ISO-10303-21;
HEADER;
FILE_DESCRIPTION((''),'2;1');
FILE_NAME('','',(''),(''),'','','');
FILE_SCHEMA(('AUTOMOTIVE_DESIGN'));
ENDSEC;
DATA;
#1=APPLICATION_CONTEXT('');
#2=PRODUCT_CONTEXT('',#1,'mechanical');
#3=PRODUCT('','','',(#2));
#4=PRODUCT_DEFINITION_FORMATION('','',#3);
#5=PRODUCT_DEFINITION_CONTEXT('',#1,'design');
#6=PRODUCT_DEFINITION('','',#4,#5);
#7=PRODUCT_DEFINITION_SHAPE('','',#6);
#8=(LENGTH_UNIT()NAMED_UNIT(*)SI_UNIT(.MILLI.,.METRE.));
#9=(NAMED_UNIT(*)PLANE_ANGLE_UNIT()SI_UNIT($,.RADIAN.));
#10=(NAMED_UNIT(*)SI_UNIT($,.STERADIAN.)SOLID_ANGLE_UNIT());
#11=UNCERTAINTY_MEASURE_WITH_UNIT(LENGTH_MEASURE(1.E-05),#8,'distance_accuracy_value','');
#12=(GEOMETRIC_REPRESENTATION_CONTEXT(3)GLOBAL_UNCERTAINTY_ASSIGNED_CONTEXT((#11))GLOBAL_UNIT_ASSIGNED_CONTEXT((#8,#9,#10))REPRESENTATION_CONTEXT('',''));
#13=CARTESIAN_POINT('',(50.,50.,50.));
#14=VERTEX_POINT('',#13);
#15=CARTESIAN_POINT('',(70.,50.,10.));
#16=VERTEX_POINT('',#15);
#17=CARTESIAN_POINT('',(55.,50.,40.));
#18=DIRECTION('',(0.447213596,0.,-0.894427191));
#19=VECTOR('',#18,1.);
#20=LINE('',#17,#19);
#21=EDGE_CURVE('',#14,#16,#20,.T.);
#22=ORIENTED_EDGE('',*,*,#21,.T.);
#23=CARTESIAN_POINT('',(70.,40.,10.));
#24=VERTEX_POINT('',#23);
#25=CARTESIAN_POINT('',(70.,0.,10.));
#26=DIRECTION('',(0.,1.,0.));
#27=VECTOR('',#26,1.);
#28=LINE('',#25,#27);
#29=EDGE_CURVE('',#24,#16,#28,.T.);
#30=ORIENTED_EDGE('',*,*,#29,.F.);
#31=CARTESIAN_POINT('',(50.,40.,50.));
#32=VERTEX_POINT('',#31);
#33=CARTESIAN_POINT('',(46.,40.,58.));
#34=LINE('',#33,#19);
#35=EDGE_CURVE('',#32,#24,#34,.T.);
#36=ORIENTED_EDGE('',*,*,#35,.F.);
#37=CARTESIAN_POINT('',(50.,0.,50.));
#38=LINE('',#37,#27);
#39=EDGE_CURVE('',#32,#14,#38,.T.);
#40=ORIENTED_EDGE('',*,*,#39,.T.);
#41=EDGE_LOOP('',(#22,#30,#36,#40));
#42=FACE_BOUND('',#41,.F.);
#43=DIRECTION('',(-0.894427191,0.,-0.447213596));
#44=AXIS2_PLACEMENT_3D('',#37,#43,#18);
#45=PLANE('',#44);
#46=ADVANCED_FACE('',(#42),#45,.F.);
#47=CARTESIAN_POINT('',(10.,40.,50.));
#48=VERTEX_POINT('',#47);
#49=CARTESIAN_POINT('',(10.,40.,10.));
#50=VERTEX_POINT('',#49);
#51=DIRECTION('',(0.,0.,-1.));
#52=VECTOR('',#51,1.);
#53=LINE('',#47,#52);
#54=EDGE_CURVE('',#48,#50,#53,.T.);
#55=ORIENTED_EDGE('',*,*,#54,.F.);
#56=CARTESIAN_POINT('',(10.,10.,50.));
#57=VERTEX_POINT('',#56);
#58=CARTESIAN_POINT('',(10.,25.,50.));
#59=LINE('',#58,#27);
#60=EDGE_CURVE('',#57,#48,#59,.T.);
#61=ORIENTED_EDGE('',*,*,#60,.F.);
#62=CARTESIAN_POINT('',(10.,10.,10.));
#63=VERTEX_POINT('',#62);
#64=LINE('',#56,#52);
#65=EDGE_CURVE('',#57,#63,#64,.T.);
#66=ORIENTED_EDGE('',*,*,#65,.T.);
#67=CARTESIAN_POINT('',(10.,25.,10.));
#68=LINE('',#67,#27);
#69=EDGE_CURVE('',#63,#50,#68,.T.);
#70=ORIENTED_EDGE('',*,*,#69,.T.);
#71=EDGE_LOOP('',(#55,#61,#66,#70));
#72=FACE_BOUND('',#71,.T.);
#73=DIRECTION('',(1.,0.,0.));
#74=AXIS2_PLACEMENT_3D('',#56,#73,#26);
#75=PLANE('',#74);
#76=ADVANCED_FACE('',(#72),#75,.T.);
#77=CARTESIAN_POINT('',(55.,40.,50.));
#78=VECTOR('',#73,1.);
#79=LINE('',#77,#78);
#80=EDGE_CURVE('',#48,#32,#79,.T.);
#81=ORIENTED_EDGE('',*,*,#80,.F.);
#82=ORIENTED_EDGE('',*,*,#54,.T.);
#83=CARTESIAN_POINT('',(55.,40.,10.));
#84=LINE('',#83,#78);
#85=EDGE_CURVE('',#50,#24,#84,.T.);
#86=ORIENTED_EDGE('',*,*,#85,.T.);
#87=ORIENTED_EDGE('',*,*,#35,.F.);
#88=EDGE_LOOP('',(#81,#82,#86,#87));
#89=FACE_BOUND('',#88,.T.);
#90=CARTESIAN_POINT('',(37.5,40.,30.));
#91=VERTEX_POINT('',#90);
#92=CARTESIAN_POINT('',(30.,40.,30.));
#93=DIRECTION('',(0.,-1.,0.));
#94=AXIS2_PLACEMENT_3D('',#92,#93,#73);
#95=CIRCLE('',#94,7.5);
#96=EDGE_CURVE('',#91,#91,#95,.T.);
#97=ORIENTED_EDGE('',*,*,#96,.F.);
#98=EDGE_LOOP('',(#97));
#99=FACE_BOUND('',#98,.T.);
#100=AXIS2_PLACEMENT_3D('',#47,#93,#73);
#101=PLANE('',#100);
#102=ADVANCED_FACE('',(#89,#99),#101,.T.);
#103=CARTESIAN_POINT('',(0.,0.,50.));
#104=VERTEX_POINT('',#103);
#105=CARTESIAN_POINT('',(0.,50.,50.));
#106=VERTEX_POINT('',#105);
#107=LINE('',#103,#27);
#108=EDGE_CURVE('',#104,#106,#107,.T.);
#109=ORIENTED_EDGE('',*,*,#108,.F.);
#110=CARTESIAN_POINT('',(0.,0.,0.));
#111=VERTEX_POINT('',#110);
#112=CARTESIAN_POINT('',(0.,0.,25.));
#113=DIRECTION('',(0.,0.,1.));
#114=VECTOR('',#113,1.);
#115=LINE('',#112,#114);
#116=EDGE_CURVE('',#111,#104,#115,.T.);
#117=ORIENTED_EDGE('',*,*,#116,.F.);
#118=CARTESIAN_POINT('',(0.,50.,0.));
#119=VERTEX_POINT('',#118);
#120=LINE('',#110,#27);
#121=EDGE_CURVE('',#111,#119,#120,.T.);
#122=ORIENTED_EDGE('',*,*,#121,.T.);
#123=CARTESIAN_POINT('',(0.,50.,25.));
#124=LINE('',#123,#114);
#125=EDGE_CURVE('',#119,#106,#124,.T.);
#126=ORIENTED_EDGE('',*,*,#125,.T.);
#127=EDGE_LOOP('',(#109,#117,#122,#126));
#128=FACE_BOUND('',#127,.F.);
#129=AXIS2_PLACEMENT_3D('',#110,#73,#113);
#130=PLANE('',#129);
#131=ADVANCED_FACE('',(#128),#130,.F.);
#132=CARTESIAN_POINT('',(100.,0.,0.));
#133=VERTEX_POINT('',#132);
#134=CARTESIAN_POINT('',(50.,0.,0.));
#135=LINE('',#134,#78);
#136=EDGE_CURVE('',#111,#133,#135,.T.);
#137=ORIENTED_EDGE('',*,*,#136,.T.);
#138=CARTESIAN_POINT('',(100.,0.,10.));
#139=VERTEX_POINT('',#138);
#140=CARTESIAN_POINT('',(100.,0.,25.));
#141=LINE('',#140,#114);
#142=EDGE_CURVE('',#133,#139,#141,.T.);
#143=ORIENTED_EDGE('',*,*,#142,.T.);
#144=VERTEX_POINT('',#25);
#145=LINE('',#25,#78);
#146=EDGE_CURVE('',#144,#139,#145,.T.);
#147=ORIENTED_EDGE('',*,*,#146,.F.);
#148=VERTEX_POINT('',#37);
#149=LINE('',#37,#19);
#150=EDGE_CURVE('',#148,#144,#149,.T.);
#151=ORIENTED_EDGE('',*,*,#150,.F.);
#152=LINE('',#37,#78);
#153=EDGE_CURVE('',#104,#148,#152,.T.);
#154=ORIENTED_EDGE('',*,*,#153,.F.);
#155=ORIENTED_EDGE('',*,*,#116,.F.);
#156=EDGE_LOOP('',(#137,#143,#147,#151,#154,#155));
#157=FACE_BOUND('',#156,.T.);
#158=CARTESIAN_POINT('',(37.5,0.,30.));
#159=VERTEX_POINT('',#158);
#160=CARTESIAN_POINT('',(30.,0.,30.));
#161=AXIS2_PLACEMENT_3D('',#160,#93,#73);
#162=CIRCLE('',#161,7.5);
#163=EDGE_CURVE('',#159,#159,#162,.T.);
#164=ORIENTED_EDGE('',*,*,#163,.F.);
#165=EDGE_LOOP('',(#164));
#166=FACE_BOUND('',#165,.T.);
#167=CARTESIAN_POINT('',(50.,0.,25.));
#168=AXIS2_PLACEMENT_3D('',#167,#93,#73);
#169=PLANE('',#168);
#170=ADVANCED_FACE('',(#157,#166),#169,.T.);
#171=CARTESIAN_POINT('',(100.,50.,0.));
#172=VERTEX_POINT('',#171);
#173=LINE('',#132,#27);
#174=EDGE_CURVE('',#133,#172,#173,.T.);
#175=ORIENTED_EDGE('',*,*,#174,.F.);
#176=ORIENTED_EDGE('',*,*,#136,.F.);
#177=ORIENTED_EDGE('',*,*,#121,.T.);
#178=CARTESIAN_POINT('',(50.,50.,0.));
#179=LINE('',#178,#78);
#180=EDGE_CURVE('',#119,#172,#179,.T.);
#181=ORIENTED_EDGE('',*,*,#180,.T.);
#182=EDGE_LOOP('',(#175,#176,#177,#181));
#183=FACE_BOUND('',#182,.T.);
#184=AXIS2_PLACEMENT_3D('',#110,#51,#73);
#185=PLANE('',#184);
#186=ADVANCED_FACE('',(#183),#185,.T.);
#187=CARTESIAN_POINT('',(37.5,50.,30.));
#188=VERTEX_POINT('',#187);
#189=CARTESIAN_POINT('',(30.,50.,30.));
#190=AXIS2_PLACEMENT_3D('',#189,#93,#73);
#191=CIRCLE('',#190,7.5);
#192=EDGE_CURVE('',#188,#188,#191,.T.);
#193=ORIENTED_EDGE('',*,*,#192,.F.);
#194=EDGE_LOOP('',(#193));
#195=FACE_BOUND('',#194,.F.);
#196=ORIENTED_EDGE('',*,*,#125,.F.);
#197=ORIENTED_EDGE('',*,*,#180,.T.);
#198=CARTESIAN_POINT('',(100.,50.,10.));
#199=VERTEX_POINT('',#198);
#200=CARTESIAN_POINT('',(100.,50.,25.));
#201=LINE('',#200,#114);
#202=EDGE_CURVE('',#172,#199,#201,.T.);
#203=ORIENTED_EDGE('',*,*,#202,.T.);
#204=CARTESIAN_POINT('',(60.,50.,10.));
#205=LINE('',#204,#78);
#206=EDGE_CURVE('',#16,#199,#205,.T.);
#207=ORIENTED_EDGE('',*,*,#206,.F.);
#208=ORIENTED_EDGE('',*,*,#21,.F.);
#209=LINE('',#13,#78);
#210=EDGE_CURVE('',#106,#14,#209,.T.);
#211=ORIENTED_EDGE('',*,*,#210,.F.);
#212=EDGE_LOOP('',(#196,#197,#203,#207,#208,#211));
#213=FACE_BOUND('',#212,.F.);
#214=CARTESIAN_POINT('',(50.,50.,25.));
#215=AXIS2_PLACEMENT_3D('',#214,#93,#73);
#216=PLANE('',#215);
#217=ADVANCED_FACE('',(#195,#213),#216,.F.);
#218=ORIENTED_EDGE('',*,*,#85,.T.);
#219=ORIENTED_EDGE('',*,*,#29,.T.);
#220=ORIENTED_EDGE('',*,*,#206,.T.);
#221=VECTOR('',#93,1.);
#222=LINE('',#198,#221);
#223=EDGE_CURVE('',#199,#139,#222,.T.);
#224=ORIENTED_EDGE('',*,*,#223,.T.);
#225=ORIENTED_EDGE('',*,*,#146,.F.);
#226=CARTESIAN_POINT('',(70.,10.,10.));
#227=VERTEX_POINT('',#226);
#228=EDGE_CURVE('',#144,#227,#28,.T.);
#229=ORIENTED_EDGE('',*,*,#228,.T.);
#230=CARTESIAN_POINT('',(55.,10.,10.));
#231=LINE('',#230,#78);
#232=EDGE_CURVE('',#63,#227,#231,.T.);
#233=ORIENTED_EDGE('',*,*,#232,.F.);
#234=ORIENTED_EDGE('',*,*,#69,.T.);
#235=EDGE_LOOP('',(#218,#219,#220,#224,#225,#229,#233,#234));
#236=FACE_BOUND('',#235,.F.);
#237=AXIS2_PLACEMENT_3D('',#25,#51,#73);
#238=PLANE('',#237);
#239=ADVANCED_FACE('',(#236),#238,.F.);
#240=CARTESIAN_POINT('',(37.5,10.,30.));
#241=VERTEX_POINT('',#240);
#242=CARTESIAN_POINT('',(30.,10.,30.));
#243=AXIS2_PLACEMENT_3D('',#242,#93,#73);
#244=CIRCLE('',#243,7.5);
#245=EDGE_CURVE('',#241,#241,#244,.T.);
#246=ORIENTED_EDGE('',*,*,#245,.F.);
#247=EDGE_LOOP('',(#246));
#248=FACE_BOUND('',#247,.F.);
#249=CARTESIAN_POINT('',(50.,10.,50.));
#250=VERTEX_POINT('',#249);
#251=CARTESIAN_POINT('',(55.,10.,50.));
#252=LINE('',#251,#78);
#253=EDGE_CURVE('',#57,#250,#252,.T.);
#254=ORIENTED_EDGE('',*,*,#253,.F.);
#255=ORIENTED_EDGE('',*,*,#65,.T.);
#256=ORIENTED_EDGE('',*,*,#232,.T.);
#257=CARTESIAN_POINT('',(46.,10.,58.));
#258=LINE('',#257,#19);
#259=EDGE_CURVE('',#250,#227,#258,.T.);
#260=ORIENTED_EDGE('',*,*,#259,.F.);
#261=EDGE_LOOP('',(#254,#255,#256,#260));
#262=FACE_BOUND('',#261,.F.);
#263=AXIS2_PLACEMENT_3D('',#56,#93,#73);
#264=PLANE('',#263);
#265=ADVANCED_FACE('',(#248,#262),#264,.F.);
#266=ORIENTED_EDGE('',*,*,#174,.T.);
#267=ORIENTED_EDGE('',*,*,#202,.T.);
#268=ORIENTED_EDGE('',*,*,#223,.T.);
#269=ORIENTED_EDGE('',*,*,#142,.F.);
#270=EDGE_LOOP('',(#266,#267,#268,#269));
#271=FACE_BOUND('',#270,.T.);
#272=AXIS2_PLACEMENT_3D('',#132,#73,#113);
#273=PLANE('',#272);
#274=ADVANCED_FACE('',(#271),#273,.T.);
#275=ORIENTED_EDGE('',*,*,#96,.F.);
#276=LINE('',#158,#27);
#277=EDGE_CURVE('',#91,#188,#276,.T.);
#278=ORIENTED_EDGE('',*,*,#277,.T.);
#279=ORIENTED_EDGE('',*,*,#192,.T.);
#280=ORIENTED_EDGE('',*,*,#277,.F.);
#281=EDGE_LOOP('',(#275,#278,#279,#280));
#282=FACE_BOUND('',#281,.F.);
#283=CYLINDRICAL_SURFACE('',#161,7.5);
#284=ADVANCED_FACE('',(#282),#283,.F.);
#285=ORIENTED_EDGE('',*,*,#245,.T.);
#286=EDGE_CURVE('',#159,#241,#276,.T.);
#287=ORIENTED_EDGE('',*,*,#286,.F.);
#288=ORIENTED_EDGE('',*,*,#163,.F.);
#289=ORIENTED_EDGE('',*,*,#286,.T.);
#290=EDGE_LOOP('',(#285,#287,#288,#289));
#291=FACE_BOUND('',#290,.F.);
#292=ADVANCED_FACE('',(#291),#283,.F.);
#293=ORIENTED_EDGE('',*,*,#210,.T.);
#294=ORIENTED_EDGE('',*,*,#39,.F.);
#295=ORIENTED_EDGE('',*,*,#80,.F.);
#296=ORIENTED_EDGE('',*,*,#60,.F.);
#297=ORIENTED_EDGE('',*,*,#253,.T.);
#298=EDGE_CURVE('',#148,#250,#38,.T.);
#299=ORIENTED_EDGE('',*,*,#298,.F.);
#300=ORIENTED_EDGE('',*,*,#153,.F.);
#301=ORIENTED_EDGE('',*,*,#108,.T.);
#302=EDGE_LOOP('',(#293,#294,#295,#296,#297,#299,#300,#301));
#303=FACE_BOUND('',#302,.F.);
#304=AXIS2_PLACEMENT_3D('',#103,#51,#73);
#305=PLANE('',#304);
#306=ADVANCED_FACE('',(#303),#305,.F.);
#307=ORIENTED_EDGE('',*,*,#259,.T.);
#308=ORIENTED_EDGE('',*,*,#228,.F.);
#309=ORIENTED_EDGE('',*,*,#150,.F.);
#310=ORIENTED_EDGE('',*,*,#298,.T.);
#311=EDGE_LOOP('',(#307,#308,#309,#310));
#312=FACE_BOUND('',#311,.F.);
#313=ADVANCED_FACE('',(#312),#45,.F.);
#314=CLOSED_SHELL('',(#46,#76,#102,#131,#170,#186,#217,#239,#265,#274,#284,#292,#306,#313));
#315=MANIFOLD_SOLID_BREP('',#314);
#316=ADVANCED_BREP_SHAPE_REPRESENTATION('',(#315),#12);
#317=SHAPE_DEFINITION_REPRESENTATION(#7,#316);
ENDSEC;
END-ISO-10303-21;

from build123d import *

# Parameters (mm, degrees)
F0_W     = 100
F0_H     = 50
F1_DEPTH = 50
F2_W     = 90
F2_H     = 30
F3_DEPTH = 40
F4_R     = 7.5
F5_DEPTH = 50.001
F7_DEPTH = 50.001


with BuildPart() as f1:
    # F0 (on Front) → F1 (new body)
    with BuildSketch(Plane.XZ):
        with Locations((50, 25)):
            Rectangle(F0_W, F0_H)
    extrude(amount=-F1_DEPTH)

    # F2 (on face) → F3 (cut)
    with BuildSketch(Plane.XY.offset(50)):
        with Locations((55, 25)):
            Rectangle(F2_W, F2_H)
    extrude(amount=-F3_DEPTH, mode=Mode.SUBTRACT)

    # F4 (on face) → F5 (cut, through all)
    with BuildSketch(Plane.XZ):
        with Locations((30, 30)):
            Circle(F4_R)
    extrude(amount=-F5_DEPTH, mode=Mode.SUBTRACT)

    # F6 (on face) → F7 (cut, through all)
    with BuildSketch(Plane.XZ):
        Polygon((100, 50), (50, 50), (70, 10), (100, 10), align=None)
    extrude(amount=-F7_DEPTH, mode=Mode.SUBTRACT)


solid = f1.part
